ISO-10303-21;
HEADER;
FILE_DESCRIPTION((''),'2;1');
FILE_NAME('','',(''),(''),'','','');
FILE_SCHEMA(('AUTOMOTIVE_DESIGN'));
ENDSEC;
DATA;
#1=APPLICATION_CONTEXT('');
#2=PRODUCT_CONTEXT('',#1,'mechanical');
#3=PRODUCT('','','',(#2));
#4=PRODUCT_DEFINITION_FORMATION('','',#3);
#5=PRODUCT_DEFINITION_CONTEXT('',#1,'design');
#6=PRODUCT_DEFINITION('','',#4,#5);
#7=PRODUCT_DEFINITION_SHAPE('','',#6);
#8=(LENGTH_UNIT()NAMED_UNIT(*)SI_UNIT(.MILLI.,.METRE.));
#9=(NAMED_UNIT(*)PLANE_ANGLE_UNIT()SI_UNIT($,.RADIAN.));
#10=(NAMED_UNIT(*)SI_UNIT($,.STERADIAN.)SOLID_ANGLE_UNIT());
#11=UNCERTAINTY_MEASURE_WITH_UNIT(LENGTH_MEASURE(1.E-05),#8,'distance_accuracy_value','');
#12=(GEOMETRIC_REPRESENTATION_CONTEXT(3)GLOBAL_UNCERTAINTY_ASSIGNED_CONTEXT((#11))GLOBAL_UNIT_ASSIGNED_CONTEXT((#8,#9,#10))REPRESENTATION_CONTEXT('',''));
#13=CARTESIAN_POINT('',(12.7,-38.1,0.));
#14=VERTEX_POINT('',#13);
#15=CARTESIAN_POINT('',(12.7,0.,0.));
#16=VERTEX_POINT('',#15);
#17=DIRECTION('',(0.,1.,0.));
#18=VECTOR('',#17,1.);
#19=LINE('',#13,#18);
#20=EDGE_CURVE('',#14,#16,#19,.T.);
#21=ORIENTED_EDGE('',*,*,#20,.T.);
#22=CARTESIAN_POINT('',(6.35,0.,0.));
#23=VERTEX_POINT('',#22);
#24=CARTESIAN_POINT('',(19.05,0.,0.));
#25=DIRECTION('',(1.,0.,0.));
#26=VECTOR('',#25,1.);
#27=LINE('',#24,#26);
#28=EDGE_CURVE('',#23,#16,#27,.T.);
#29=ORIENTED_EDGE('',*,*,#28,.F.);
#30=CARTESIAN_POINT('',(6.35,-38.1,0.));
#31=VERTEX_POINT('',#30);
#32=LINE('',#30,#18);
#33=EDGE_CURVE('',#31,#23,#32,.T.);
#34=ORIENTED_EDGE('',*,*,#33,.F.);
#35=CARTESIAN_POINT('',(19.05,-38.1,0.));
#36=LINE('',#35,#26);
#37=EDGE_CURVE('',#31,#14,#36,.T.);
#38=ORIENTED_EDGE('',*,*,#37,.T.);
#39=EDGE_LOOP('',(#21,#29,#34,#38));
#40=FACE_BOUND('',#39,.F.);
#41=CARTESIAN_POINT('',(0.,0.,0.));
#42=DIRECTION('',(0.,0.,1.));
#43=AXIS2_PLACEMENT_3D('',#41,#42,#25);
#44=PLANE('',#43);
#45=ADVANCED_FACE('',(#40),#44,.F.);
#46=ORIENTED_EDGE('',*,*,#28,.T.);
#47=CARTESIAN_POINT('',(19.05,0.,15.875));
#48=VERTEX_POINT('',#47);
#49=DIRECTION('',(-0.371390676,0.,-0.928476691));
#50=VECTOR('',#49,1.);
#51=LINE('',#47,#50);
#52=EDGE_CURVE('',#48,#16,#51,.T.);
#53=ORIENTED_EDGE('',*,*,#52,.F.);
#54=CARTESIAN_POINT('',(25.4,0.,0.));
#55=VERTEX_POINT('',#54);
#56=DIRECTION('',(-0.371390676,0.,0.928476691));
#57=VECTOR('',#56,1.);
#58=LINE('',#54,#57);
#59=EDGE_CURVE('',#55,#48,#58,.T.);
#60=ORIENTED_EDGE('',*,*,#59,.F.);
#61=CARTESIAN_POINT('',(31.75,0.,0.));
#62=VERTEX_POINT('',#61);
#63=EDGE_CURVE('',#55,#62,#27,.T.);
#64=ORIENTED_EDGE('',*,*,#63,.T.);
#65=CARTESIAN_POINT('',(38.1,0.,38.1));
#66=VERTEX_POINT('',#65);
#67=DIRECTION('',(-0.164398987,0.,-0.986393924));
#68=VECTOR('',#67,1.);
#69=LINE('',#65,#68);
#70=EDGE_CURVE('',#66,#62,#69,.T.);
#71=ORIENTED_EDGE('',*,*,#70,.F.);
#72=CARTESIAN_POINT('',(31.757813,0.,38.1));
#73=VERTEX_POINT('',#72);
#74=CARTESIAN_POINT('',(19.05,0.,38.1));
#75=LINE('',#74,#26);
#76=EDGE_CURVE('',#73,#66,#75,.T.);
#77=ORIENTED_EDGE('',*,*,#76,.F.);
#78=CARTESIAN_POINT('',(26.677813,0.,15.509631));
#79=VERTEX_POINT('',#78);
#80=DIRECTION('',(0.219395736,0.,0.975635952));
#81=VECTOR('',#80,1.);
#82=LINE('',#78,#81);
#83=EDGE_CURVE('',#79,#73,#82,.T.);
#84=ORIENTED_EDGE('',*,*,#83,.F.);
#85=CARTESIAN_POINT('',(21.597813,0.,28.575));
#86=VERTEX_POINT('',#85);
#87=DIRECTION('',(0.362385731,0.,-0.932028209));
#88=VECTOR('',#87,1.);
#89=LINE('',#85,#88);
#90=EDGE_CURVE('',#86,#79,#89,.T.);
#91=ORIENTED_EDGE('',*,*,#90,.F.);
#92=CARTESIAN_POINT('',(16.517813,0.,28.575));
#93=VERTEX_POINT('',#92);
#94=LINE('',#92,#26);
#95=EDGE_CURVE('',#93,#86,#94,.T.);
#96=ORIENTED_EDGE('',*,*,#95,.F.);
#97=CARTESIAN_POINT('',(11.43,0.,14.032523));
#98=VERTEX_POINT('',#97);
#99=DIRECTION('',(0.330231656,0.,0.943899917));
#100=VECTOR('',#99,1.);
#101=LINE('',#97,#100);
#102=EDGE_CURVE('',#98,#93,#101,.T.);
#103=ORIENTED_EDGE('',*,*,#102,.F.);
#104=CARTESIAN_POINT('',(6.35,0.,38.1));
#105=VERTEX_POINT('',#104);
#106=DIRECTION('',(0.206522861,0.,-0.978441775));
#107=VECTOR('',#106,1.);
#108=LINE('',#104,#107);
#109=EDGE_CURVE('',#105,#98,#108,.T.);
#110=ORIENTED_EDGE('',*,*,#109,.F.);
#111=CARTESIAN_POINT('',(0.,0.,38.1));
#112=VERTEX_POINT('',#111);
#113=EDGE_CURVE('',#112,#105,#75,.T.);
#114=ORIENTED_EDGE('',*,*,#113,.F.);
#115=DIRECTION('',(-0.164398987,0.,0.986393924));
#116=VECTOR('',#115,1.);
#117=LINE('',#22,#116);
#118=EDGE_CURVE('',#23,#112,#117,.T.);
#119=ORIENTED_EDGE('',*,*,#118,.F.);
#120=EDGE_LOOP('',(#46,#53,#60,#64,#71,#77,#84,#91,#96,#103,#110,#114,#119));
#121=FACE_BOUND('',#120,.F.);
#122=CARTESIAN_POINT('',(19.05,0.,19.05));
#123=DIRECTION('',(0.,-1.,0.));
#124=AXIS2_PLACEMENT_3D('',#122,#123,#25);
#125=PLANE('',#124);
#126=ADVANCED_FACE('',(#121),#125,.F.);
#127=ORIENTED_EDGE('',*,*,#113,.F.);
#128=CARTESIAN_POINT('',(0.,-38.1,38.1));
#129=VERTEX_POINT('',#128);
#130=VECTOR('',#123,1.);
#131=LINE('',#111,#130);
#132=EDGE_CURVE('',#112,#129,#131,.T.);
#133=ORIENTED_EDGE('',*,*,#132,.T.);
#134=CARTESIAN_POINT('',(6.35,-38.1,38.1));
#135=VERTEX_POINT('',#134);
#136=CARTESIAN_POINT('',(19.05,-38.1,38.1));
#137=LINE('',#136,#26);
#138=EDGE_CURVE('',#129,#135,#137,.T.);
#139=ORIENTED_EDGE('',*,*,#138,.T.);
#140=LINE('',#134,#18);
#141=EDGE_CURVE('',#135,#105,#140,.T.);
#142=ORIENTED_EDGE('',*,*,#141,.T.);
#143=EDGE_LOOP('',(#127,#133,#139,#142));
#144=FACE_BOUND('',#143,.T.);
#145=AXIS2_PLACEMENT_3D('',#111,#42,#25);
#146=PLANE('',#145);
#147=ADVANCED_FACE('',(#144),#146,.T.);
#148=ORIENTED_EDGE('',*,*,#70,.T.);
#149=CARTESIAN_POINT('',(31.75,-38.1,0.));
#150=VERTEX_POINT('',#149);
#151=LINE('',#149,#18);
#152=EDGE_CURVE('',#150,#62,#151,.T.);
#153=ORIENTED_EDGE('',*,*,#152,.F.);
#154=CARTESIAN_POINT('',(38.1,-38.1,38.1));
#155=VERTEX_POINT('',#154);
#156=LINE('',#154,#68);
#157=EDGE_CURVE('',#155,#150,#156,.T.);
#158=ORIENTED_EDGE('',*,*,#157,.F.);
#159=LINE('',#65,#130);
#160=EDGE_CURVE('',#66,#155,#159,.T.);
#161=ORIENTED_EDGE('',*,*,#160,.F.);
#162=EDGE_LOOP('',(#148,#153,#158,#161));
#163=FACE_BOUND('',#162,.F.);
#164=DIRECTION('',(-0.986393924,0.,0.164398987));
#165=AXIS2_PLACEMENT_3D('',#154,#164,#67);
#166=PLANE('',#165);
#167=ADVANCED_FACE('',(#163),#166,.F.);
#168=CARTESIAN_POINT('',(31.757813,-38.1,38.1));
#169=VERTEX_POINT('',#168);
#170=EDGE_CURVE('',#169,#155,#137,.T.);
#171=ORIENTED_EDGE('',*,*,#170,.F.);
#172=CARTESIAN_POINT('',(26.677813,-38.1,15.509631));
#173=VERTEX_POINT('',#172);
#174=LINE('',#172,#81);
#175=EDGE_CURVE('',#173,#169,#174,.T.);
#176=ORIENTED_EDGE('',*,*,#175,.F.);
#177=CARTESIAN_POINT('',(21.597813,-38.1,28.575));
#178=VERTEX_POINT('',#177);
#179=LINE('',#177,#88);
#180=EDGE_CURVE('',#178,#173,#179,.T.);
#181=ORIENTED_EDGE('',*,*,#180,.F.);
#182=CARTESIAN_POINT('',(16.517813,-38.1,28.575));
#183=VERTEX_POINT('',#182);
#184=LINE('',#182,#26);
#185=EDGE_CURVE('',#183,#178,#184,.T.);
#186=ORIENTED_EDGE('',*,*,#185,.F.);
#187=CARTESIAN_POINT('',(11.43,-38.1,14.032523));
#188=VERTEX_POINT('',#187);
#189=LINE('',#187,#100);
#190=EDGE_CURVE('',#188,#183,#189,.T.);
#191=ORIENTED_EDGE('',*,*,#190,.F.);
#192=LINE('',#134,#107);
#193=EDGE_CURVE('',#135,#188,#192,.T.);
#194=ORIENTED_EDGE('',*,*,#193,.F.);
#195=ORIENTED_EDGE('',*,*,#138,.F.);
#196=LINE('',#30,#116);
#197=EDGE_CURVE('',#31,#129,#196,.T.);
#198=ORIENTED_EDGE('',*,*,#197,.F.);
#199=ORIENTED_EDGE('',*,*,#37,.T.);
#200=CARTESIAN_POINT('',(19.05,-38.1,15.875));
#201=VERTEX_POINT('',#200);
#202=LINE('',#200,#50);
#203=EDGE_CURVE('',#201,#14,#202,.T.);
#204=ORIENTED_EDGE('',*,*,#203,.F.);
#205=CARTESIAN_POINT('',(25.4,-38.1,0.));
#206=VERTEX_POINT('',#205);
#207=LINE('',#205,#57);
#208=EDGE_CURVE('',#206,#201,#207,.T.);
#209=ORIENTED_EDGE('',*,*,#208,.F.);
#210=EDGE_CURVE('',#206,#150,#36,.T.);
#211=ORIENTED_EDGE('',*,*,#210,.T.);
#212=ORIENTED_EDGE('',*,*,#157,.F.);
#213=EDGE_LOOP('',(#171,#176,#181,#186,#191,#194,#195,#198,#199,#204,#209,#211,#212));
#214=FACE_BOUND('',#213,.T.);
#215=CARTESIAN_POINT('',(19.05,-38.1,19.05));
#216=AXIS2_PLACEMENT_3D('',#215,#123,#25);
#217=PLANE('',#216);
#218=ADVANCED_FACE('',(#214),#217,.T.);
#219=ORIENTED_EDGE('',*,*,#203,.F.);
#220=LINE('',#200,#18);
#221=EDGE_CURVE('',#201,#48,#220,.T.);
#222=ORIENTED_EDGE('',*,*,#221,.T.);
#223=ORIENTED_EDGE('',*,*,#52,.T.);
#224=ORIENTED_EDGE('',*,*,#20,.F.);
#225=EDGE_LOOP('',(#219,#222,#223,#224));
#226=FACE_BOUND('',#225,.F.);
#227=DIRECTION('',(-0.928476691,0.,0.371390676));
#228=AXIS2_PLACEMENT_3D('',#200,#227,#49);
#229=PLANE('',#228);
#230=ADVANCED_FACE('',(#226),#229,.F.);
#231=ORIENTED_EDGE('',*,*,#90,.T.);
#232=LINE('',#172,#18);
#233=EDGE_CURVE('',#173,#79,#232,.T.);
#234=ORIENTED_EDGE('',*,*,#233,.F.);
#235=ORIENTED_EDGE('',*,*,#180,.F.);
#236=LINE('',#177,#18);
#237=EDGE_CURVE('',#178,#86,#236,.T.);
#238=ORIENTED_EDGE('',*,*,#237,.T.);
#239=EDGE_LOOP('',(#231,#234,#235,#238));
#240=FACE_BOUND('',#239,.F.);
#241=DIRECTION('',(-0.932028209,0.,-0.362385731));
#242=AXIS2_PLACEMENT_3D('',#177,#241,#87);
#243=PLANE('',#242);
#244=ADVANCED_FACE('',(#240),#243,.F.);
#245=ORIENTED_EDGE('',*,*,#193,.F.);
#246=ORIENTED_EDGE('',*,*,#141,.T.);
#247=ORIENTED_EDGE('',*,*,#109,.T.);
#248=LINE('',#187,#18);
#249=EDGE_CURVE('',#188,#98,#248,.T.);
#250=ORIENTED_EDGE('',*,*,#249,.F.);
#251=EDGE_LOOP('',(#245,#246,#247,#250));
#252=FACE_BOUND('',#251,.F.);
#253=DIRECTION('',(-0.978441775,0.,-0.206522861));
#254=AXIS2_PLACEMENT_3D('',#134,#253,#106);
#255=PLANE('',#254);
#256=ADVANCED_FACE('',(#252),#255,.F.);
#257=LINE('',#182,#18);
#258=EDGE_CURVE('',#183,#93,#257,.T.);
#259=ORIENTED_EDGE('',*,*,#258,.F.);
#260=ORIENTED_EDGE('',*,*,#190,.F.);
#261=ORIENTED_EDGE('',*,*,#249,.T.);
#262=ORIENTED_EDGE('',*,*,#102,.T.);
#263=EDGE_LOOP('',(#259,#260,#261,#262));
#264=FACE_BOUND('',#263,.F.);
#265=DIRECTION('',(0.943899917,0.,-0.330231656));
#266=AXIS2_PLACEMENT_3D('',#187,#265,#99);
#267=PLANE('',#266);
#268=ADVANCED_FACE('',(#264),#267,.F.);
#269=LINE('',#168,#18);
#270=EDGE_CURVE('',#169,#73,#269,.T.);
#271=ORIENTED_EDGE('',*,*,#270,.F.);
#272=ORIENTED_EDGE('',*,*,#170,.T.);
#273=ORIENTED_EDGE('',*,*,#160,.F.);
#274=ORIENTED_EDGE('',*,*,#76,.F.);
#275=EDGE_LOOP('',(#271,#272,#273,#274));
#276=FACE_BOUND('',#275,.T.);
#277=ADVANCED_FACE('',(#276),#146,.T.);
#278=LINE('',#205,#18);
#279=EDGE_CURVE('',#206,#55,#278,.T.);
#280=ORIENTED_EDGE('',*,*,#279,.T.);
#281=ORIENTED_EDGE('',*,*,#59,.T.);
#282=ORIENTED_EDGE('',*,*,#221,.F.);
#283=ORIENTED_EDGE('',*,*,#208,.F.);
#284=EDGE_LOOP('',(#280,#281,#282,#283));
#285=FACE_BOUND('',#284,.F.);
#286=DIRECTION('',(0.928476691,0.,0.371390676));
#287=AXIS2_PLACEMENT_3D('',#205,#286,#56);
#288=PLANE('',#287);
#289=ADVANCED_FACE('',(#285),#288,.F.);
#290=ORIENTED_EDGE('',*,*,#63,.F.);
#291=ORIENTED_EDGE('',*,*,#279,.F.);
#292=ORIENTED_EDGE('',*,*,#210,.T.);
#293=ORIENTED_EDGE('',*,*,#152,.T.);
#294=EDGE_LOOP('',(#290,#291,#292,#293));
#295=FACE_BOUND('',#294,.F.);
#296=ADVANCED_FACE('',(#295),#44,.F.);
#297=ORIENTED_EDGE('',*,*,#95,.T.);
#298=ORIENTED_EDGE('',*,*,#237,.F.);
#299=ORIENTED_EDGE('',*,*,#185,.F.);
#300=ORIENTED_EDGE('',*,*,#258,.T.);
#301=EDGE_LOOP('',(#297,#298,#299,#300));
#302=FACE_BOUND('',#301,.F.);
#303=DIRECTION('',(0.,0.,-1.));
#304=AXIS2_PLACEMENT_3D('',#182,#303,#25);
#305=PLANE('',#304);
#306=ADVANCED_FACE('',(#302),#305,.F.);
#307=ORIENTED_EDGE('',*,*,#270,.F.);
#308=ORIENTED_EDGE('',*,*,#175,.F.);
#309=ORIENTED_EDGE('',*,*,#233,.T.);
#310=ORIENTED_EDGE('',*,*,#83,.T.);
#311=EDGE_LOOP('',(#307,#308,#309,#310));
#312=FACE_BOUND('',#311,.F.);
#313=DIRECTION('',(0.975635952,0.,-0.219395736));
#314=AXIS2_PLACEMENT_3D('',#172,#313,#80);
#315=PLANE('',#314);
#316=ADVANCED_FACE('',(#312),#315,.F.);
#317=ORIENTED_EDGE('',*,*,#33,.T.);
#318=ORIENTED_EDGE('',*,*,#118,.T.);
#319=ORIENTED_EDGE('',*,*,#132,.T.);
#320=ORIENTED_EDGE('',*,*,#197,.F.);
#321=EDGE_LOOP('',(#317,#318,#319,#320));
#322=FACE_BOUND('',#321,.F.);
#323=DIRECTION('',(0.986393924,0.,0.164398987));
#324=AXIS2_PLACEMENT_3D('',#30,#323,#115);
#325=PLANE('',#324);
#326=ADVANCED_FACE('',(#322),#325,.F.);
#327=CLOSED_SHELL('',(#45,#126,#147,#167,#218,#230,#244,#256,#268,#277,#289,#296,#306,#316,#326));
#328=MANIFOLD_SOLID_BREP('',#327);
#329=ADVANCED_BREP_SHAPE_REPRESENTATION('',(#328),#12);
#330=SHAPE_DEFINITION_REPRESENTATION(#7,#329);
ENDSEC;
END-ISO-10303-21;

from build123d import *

# Parameters (mm, degrees)
F0_W     = 38.1
F0_H     = 38.1
F1_DEPTH = 38.1
F4_DEPTH = 38.1


with BuildPart() as f1:
    # F0 (on Front) → F1 (new body)
    with BuildSketch(Plane.XZ):
        with Locations((19.05, 19.05)):
            Rectangle(F0_W, F0_H)
    extrude(amount=F1_DEPTH)

    # F3 (on face) → F4 (cut)
    with BuildSketch(Plane.XZ.offset(38.1)):
        Polygon((31.757813, 38.1), (6.35, 38.1), (11.43, 14.032523), (16.517813, 28.575), (21.597813, 28.575), (26.677813, 15.509631), align=None)
        Polygon((6.35, 0), (0, 38.1), (0, 0), align=None)
        Polygon((19.05, 15.875), (12.7, 0), (25.4, 0), align=None)
        Polygon((38.1, 0), (38.1, 38.1), (31.75, 0), align=None)
    extrude(amount=-F4_DEPTH, mode=Mode.SUBTRACT)


solid = f1.part
